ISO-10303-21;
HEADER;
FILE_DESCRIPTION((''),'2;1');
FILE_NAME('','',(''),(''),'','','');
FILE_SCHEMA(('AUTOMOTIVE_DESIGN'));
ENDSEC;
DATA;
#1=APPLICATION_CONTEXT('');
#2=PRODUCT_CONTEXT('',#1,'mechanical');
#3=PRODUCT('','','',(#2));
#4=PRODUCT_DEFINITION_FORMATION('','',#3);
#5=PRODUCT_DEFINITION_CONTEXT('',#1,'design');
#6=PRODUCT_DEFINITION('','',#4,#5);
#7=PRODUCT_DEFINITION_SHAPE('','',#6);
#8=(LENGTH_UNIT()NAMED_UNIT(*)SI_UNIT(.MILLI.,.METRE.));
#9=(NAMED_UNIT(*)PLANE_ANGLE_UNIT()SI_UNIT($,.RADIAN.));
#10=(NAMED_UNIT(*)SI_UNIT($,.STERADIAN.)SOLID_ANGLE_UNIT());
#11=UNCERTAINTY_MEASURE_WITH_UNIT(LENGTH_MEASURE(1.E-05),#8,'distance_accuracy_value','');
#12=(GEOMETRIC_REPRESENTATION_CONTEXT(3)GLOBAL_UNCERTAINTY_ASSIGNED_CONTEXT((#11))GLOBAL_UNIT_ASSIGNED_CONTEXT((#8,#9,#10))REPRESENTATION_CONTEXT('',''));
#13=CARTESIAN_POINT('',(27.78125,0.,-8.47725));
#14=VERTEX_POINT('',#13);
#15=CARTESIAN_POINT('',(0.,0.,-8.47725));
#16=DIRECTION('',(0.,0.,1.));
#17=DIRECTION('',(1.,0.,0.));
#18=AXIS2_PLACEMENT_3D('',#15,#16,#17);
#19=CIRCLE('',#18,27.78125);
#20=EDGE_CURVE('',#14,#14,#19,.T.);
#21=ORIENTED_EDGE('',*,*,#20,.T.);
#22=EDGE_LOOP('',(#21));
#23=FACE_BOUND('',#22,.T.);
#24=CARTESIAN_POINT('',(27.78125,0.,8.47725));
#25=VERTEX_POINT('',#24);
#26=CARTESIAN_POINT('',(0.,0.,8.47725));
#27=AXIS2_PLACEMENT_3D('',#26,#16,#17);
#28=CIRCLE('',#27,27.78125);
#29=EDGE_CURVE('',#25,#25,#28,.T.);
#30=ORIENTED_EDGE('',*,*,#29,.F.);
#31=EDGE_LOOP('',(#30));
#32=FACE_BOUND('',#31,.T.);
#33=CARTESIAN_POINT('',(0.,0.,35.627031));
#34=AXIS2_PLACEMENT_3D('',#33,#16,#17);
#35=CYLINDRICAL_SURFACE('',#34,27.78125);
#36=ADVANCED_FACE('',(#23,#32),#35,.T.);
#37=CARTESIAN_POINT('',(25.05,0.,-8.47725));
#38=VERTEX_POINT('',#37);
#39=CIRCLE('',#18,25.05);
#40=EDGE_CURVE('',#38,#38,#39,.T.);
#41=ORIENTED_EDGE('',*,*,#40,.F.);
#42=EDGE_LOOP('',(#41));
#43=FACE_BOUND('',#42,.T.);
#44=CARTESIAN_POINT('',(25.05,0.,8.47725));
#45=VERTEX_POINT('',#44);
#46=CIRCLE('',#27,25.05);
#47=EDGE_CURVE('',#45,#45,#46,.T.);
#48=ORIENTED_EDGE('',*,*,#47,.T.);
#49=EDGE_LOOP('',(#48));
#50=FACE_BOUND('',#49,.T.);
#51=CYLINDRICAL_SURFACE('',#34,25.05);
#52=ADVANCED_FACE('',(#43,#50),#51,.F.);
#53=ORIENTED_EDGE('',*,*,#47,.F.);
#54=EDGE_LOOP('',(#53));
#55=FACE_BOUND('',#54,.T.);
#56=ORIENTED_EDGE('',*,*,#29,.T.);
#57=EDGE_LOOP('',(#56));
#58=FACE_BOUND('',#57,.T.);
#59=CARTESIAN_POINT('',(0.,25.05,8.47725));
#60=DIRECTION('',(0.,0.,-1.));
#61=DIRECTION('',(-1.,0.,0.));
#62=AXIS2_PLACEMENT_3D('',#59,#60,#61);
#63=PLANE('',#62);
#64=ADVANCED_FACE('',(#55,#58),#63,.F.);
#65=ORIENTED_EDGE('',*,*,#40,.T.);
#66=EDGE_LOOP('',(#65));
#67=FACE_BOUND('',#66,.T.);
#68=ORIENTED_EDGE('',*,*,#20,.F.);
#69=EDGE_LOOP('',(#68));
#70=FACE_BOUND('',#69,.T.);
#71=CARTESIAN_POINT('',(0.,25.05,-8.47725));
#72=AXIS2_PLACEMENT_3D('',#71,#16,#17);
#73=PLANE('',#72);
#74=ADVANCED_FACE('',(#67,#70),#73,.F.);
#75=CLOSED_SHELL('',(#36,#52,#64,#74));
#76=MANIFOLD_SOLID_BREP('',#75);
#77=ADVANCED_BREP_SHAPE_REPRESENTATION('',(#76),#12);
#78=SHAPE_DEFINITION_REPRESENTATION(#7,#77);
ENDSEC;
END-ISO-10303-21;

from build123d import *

# Parameters (mm, degrees)
SKETCH1_W = 16.9545
SKETCH1_H = 2.73125


with BuildPart() as part:
    # Sketch1 → Revolve1 (revolve)
    with BuildSketch(Plane(origin=(0, 0, 0), x_dir=(0, 0, -1), z_dir=(1, 0, 0)), mode=Mode.PRIVATE) as revolve1_sk:
        with Locations((0, 26.415625)):
            Rectangle(SKETCH1_W, SKETCH1_H)
    revolve(revolve1_sk.sketch.rotate(Axis((0, 0, 35.62703085), (0, 0, -1)), 90), axis=Axis((0, 0, 35.62703085), (0, 0, -1)))


solid = part.part
